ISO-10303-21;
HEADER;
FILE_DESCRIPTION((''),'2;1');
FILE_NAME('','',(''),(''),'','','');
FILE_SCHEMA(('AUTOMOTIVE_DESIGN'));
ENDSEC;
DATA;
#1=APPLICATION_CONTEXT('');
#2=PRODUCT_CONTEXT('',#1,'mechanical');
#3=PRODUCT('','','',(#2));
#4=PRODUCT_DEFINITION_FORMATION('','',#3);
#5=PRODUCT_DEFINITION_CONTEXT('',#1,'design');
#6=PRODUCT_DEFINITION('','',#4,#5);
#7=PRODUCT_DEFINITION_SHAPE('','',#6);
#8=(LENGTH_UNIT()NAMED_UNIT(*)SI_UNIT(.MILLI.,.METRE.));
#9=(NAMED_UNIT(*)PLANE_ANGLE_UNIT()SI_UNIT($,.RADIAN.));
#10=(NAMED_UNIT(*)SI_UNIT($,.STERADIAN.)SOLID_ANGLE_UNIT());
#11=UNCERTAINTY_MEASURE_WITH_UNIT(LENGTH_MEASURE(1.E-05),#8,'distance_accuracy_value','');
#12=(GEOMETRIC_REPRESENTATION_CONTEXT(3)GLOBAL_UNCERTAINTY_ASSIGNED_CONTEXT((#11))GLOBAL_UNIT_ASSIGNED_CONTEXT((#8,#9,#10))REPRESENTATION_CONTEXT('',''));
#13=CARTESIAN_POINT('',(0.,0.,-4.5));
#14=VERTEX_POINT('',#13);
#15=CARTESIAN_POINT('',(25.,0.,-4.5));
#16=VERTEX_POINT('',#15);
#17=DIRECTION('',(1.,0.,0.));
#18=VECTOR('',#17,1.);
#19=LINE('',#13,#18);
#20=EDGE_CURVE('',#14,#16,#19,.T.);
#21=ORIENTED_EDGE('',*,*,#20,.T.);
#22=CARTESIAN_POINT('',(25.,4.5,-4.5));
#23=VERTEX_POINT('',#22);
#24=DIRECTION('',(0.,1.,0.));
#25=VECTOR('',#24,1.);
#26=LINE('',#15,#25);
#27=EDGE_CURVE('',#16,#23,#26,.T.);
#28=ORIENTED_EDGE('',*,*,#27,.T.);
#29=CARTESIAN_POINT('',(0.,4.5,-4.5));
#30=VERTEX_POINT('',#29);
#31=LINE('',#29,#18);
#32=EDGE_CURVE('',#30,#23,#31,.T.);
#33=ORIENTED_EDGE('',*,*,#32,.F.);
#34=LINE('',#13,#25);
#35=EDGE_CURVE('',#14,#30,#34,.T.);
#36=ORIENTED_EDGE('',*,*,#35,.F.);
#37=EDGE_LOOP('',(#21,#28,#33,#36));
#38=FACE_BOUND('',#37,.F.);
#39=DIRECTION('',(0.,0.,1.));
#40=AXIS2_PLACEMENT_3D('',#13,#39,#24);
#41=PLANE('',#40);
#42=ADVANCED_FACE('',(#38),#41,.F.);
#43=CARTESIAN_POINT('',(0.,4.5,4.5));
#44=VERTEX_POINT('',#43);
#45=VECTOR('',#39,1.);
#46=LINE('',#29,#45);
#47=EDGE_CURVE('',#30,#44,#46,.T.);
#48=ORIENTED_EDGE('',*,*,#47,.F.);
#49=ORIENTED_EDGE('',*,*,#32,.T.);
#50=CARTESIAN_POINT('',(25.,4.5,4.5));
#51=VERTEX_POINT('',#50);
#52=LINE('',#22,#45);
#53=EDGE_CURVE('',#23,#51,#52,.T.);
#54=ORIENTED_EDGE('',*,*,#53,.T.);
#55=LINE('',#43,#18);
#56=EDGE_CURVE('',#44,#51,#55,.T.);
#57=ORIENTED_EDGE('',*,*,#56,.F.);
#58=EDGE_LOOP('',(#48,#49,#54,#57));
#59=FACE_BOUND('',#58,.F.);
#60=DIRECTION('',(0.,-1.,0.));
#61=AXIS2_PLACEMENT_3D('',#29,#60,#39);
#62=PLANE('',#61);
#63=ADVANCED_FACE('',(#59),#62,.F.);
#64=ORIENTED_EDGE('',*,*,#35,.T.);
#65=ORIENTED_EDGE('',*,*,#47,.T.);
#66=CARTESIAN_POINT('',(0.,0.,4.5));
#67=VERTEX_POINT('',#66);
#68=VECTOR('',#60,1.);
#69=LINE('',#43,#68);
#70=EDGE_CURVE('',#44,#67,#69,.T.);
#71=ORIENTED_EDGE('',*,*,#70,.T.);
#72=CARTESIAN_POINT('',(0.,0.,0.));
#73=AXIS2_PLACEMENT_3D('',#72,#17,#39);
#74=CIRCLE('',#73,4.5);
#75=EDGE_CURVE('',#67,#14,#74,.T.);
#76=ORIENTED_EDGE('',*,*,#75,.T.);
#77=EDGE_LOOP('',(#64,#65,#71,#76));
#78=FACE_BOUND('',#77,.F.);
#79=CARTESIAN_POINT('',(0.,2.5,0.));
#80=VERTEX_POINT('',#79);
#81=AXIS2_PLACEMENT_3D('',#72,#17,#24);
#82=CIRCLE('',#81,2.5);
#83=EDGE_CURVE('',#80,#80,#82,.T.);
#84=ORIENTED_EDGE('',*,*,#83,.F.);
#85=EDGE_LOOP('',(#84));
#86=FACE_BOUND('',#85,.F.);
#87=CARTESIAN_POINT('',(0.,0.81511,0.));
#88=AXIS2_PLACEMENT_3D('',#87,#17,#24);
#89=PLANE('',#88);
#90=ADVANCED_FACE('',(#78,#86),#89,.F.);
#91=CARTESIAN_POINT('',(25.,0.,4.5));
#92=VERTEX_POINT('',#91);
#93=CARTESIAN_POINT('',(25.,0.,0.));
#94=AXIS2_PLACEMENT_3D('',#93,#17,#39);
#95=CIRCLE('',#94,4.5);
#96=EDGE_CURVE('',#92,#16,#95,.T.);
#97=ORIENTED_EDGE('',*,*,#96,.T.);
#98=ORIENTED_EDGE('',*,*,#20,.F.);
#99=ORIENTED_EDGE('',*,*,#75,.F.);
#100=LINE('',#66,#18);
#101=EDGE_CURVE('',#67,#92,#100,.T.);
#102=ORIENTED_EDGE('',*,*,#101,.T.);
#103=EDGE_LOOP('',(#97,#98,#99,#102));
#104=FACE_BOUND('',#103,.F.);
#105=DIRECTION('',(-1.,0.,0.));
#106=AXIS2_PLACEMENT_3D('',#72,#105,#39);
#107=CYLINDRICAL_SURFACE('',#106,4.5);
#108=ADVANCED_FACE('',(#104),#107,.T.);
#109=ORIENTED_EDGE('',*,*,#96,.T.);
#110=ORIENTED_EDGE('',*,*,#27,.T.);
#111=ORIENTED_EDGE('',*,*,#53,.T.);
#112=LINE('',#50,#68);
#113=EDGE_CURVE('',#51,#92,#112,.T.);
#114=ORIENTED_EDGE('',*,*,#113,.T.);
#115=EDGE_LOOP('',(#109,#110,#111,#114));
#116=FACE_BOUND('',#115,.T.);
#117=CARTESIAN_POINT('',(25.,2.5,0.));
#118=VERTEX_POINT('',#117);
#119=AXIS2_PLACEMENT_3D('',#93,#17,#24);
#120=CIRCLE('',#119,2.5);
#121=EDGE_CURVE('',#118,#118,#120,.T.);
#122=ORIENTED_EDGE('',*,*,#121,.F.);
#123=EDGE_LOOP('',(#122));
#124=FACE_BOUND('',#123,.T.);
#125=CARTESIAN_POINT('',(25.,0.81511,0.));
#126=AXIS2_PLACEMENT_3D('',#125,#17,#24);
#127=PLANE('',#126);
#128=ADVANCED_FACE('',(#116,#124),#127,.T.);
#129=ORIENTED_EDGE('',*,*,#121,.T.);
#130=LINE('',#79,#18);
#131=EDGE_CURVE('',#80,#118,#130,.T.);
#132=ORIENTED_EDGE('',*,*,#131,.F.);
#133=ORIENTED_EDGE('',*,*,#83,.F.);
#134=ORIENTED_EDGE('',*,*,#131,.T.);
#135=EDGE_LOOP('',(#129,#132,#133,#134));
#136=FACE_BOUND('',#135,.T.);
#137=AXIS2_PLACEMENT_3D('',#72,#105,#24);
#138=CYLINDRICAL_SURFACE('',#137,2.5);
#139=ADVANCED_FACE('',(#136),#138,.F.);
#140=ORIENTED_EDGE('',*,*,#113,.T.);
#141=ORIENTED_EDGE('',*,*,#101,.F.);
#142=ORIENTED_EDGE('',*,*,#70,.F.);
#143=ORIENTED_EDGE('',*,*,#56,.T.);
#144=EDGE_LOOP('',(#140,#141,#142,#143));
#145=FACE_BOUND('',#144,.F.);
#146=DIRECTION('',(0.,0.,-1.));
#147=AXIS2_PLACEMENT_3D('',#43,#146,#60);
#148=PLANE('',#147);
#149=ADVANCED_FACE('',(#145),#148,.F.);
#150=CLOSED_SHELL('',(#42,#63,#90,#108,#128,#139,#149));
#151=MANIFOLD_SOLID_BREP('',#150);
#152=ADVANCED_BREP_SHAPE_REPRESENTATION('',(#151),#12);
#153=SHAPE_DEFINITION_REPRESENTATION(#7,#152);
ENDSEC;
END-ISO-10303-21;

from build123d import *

# Parameters (mm, degrees)
F0_R     = 2.5
F1_DEPTH = 25


with BuildPart() as f1:
    # F0 (on Right) → F1 (new body)
    with BuildSketch(Plane.YZ):
        with BuildLine():
            Line((4.5, 4.5), (0, 4.5))
            ThreePointArc((0, 4.5), (-4.5, 0), (0, -4.5))
            Line((0, -4.5), (4.5, -4.5))
            Line((4.5, -4.5), (4.5, 4.5))
        make_face()
        Circle(F0_R, mode=Mode.SUBTRACT)
    extrude(amount=F1_DEPTH)


solid = f1.part
